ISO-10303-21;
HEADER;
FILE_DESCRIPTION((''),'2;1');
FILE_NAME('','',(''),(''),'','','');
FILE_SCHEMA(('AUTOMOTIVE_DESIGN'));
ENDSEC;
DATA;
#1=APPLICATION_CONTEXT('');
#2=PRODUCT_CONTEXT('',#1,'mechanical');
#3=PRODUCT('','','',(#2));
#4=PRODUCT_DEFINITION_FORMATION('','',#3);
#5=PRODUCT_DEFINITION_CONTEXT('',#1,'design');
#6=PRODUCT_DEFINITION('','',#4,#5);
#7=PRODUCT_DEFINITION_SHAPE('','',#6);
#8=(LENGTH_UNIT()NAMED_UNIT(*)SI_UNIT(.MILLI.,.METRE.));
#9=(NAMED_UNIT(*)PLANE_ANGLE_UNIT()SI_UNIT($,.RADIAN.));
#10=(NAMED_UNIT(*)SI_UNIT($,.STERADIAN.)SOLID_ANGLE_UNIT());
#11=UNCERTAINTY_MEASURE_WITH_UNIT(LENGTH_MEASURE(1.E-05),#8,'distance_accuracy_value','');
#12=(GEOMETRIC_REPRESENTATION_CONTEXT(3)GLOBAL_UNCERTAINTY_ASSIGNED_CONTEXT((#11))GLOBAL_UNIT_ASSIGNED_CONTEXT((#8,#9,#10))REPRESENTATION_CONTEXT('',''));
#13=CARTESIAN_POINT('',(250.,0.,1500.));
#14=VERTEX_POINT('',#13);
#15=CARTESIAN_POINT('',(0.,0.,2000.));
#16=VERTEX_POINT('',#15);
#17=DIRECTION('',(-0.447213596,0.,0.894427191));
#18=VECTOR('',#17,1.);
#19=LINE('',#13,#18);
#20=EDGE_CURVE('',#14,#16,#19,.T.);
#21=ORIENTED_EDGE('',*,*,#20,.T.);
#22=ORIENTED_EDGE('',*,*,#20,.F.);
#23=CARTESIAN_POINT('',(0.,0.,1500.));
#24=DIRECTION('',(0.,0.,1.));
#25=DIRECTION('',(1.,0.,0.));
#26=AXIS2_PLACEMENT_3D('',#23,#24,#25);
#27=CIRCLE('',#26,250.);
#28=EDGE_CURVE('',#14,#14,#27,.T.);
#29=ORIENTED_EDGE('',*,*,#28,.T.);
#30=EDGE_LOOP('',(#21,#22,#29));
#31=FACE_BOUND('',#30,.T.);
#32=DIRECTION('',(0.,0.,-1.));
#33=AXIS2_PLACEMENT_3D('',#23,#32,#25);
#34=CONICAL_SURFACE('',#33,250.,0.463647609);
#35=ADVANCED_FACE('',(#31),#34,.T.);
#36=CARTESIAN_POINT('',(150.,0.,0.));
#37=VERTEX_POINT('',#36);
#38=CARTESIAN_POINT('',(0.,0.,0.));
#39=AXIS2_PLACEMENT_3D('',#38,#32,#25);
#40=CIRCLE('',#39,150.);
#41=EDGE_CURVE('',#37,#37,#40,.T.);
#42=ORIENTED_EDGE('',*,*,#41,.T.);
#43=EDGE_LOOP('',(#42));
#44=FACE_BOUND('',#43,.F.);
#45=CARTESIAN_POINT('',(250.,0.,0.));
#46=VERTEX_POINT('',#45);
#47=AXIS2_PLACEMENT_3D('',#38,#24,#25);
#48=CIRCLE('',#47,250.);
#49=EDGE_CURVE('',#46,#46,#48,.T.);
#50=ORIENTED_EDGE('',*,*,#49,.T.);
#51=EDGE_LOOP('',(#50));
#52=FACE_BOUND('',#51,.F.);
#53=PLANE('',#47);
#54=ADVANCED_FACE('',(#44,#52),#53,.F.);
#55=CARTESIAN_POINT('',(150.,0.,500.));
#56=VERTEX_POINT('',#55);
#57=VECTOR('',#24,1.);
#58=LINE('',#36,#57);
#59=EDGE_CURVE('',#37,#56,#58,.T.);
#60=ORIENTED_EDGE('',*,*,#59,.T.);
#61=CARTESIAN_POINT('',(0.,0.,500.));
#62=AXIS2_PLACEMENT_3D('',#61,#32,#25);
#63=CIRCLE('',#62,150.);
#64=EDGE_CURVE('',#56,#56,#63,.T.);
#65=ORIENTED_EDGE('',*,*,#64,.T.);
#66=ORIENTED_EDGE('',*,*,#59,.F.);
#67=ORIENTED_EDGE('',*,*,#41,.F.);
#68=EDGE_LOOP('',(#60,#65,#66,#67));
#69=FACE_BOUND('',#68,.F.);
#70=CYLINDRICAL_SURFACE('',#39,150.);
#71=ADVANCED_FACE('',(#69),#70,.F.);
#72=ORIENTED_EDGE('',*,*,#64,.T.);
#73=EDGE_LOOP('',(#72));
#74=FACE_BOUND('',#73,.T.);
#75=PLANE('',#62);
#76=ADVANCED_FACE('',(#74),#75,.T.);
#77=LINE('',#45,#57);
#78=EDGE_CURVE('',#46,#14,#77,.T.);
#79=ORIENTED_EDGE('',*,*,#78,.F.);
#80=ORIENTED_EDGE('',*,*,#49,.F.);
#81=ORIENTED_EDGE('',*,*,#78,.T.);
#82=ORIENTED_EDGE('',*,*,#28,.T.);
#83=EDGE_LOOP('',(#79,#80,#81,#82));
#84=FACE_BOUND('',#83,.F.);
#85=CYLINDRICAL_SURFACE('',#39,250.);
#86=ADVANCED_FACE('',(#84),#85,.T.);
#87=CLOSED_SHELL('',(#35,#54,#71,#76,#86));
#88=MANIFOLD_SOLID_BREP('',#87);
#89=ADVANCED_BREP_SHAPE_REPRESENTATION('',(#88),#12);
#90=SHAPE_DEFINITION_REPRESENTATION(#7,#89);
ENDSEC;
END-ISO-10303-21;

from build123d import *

# Parameters (mm, degrees)
F0_R     = 250
F1_DEPTH = 1500
F4_R     = 150
F5_DEPTH = 500


with BuildPart() as f1:
    # F0 (on Top) → F1 (new body)
    with BuildSketch(Plane.XY):
        Circle(F0_R)
    extrude(amount=F1_DEPTH)

    # F2 (on Front) → F3 (revolve)
    with BuildSketch(Plane.XZ):
        Polygon((0, 2000), (0, 1500), (250, 1500), align=None)
    revolve(axis=Axis((0, 0, 1750), (0, 0, 1)))

    # F4 (on face) → F5 (cut)
    with BuildSketch(Plane(origin=(0, 0, 0), x_dir=(1, 0, 0), z_dir=(0, 0, -1))):
        Circle(F4_R)
    extrude(amount=-F5_DEPTH, mode=Mode.SUBTRACT)


solid = f1.part
